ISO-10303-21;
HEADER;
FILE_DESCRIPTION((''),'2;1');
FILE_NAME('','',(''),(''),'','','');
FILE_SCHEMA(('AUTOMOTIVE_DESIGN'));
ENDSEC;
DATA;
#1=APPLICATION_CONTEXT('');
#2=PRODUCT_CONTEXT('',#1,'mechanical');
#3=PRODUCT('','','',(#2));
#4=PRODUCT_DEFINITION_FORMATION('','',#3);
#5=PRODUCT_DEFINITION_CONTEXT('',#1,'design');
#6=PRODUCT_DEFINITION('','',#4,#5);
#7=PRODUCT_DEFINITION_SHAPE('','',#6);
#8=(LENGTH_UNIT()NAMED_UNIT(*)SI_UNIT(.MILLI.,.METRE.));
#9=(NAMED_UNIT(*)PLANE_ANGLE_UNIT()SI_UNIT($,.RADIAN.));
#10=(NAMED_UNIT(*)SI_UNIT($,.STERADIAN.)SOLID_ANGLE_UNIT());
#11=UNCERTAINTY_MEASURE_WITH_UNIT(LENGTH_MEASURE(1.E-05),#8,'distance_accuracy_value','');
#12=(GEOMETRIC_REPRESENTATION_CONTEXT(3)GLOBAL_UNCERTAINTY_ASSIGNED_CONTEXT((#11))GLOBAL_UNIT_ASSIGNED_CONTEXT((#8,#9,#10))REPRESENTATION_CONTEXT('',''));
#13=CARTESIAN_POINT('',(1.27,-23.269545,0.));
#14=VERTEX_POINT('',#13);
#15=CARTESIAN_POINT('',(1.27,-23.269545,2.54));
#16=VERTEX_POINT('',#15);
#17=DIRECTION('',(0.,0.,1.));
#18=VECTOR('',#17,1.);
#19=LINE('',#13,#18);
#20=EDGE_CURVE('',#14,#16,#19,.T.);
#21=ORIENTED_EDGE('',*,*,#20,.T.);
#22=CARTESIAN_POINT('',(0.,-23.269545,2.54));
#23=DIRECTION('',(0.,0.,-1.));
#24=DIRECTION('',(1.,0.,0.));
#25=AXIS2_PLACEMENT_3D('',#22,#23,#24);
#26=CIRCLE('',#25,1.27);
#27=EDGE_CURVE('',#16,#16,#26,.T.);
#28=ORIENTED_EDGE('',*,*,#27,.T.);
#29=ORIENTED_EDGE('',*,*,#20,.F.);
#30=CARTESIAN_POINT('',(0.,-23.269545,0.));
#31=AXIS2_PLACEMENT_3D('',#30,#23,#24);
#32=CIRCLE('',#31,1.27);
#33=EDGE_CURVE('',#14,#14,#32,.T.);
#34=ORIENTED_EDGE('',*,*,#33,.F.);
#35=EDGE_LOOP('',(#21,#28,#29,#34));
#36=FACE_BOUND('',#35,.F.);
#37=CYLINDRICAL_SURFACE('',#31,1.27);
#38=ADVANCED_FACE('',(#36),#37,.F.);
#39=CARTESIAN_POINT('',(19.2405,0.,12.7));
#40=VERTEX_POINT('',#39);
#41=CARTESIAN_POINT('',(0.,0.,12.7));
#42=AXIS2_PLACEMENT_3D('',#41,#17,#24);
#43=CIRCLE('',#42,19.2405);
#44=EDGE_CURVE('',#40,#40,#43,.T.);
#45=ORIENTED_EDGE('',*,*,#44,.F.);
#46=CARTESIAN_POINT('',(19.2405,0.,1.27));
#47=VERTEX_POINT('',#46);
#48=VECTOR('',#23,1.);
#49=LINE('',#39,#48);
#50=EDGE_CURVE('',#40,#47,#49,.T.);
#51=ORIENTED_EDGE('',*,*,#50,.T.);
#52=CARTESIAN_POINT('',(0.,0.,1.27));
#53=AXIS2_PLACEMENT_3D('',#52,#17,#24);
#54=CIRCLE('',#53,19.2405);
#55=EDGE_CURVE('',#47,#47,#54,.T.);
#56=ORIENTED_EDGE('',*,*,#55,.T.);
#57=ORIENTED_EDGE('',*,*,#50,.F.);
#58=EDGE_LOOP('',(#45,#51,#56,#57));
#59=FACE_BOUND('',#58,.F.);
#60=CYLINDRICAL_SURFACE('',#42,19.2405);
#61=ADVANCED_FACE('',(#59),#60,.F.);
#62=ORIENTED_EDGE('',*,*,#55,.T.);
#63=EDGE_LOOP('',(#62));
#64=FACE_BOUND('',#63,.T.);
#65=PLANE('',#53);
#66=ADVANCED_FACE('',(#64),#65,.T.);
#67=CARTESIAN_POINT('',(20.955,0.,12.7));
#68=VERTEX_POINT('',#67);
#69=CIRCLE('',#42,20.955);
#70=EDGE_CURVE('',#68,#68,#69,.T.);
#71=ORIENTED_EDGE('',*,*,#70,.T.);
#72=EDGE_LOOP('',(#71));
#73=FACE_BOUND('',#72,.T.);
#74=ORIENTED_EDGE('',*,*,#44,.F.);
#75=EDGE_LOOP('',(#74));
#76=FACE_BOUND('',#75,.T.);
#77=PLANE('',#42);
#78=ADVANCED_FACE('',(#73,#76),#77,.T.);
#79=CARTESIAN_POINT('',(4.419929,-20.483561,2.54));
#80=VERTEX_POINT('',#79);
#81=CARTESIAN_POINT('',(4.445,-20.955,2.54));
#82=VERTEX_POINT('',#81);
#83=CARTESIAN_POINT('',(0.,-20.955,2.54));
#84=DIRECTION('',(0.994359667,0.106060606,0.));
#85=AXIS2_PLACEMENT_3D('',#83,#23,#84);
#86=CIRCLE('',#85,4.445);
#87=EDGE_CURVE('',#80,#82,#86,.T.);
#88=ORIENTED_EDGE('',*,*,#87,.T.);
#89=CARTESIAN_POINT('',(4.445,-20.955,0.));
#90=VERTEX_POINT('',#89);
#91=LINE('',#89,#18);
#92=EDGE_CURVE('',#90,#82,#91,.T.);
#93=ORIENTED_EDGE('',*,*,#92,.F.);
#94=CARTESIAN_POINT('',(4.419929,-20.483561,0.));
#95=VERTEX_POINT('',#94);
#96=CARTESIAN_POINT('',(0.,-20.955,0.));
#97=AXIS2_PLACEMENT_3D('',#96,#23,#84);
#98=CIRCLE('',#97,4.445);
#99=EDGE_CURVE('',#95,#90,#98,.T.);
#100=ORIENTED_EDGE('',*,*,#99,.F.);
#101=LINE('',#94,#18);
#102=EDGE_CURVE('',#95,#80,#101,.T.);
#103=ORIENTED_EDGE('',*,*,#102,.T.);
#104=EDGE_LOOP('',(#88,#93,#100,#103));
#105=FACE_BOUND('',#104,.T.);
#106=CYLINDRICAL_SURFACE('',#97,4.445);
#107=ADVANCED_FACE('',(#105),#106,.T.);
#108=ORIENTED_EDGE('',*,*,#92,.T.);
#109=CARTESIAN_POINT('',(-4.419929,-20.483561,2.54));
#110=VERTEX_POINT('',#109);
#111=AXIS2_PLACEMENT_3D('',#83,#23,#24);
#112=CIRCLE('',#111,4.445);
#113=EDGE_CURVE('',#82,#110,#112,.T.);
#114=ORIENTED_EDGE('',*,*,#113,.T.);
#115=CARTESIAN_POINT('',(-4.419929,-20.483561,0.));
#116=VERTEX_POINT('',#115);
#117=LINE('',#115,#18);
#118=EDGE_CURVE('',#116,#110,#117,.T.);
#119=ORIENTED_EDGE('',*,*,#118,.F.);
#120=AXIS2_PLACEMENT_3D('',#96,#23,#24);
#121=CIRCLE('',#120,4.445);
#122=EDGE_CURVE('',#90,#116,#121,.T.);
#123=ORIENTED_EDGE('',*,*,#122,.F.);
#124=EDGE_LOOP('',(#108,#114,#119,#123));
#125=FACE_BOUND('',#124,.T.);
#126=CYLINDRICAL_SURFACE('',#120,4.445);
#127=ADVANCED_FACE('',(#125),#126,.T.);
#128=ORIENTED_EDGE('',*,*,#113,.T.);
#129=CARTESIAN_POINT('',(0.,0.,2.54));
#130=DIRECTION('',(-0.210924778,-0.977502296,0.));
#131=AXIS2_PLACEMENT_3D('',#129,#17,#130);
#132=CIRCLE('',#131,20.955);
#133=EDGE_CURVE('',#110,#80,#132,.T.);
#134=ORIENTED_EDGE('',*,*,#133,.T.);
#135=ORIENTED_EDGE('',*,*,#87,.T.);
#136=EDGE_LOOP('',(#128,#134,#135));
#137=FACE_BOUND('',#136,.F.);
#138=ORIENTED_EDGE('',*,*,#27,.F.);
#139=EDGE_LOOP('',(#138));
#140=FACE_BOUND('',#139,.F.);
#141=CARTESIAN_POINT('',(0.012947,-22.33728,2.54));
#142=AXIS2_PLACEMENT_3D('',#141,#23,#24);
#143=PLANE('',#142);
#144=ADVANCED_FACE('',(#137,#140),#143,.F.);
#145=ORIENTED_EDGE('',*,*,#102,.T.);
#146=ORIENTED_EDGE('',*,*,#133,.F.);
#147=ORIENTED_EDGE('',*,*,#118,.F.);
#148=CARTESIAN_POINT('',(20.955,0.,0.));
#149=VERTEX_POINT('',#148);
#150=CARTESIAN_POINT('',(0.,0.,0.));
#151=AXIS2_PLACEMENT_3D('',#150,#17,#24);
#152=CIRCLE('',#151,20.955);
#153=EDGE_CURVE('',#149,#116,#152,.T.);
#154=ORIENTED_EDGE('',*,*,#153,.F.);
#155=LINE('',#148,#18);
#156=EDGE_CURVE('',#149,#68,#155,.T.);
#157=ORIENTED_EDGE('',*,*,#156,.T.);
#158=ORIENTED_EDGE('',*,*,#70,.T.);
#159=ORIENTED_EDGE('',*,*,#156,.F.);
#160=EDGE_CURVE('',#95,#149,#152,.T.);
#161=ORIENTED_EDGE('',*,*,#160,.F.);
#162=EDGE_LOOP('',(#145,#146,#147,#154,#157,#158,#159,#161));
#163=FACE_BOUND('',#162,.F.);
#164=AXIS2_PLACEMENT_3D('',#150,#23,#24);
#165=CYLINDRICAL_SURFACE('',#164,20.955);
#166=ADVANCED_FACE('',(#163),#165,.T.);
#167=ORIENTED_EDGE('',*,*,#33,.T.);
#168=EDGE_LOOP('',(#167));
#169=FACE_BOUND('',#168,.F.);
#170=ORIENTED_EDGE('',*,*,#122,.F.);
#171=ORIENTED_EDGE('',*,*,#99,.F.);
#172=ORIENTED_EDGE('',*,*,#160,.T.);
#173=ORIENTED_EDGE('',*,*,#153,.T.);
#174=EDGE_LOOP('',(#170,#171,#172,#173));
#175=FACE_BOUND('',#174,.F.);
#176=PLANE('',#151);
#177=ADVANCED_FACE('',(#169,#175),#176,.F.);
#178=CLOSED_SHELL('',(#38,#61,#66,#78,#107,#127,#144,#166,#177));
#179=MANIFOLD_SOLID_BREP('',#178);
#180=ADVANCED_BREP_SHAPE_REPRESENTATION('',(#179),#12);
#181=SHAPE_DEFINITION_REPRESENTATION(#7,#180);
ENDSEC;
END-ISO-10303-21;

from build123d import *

# Parameters (mm, degrees)
F0_R     = 20.955
F1_DEPTH = 12.7
F2_R     = 19.2405
F3_DEPTH = 11.43
F4_R     = 1.27
F5_DEPTH = 2.54


with BuildPart() as f1:
    # F0 (on Top) → F1 (new body)
    with BuildSketch(Plane.XY):
        Circle(F0_R)
    extrude(amount=F1_DEPTH)

    # F2 (on face) → F3 (cut)
    with BuildSketch(Plane.XY.offset(12.7)):
        Circle(F2_R)
    extrude(amount=-F3_DEPTH, mode=Mode.SUBTRACT)

    # F4 (on face) → F5 (join)
    with BuildSketch(Plane(origin=(0, 0, 0), x_dir=(1, 0, 0), z_dir=(0, 0, -1))):
        with BuildLine():
            ThreePointArc((4.4199287209, 20.4835606061), (4.4387277549, 20.718947214), (4.445, 20.955))
            ThreePointArc((4.445, 20.955), (-0.236052786, 25.3937277549), (-4.4199287209, 20.4835606061))
            ThreePointArc((-4.4199287209, 20.4835606061), (0, 20.955), (4.4199287209, 20.4835606061))
        make_face()
        with Locations((0, 23.2695452869)):
            Circle(F4_R, mode=Mode.SUBTRACT)
    extrude(amount=-F5_DEPTH)


solid = f1.part
